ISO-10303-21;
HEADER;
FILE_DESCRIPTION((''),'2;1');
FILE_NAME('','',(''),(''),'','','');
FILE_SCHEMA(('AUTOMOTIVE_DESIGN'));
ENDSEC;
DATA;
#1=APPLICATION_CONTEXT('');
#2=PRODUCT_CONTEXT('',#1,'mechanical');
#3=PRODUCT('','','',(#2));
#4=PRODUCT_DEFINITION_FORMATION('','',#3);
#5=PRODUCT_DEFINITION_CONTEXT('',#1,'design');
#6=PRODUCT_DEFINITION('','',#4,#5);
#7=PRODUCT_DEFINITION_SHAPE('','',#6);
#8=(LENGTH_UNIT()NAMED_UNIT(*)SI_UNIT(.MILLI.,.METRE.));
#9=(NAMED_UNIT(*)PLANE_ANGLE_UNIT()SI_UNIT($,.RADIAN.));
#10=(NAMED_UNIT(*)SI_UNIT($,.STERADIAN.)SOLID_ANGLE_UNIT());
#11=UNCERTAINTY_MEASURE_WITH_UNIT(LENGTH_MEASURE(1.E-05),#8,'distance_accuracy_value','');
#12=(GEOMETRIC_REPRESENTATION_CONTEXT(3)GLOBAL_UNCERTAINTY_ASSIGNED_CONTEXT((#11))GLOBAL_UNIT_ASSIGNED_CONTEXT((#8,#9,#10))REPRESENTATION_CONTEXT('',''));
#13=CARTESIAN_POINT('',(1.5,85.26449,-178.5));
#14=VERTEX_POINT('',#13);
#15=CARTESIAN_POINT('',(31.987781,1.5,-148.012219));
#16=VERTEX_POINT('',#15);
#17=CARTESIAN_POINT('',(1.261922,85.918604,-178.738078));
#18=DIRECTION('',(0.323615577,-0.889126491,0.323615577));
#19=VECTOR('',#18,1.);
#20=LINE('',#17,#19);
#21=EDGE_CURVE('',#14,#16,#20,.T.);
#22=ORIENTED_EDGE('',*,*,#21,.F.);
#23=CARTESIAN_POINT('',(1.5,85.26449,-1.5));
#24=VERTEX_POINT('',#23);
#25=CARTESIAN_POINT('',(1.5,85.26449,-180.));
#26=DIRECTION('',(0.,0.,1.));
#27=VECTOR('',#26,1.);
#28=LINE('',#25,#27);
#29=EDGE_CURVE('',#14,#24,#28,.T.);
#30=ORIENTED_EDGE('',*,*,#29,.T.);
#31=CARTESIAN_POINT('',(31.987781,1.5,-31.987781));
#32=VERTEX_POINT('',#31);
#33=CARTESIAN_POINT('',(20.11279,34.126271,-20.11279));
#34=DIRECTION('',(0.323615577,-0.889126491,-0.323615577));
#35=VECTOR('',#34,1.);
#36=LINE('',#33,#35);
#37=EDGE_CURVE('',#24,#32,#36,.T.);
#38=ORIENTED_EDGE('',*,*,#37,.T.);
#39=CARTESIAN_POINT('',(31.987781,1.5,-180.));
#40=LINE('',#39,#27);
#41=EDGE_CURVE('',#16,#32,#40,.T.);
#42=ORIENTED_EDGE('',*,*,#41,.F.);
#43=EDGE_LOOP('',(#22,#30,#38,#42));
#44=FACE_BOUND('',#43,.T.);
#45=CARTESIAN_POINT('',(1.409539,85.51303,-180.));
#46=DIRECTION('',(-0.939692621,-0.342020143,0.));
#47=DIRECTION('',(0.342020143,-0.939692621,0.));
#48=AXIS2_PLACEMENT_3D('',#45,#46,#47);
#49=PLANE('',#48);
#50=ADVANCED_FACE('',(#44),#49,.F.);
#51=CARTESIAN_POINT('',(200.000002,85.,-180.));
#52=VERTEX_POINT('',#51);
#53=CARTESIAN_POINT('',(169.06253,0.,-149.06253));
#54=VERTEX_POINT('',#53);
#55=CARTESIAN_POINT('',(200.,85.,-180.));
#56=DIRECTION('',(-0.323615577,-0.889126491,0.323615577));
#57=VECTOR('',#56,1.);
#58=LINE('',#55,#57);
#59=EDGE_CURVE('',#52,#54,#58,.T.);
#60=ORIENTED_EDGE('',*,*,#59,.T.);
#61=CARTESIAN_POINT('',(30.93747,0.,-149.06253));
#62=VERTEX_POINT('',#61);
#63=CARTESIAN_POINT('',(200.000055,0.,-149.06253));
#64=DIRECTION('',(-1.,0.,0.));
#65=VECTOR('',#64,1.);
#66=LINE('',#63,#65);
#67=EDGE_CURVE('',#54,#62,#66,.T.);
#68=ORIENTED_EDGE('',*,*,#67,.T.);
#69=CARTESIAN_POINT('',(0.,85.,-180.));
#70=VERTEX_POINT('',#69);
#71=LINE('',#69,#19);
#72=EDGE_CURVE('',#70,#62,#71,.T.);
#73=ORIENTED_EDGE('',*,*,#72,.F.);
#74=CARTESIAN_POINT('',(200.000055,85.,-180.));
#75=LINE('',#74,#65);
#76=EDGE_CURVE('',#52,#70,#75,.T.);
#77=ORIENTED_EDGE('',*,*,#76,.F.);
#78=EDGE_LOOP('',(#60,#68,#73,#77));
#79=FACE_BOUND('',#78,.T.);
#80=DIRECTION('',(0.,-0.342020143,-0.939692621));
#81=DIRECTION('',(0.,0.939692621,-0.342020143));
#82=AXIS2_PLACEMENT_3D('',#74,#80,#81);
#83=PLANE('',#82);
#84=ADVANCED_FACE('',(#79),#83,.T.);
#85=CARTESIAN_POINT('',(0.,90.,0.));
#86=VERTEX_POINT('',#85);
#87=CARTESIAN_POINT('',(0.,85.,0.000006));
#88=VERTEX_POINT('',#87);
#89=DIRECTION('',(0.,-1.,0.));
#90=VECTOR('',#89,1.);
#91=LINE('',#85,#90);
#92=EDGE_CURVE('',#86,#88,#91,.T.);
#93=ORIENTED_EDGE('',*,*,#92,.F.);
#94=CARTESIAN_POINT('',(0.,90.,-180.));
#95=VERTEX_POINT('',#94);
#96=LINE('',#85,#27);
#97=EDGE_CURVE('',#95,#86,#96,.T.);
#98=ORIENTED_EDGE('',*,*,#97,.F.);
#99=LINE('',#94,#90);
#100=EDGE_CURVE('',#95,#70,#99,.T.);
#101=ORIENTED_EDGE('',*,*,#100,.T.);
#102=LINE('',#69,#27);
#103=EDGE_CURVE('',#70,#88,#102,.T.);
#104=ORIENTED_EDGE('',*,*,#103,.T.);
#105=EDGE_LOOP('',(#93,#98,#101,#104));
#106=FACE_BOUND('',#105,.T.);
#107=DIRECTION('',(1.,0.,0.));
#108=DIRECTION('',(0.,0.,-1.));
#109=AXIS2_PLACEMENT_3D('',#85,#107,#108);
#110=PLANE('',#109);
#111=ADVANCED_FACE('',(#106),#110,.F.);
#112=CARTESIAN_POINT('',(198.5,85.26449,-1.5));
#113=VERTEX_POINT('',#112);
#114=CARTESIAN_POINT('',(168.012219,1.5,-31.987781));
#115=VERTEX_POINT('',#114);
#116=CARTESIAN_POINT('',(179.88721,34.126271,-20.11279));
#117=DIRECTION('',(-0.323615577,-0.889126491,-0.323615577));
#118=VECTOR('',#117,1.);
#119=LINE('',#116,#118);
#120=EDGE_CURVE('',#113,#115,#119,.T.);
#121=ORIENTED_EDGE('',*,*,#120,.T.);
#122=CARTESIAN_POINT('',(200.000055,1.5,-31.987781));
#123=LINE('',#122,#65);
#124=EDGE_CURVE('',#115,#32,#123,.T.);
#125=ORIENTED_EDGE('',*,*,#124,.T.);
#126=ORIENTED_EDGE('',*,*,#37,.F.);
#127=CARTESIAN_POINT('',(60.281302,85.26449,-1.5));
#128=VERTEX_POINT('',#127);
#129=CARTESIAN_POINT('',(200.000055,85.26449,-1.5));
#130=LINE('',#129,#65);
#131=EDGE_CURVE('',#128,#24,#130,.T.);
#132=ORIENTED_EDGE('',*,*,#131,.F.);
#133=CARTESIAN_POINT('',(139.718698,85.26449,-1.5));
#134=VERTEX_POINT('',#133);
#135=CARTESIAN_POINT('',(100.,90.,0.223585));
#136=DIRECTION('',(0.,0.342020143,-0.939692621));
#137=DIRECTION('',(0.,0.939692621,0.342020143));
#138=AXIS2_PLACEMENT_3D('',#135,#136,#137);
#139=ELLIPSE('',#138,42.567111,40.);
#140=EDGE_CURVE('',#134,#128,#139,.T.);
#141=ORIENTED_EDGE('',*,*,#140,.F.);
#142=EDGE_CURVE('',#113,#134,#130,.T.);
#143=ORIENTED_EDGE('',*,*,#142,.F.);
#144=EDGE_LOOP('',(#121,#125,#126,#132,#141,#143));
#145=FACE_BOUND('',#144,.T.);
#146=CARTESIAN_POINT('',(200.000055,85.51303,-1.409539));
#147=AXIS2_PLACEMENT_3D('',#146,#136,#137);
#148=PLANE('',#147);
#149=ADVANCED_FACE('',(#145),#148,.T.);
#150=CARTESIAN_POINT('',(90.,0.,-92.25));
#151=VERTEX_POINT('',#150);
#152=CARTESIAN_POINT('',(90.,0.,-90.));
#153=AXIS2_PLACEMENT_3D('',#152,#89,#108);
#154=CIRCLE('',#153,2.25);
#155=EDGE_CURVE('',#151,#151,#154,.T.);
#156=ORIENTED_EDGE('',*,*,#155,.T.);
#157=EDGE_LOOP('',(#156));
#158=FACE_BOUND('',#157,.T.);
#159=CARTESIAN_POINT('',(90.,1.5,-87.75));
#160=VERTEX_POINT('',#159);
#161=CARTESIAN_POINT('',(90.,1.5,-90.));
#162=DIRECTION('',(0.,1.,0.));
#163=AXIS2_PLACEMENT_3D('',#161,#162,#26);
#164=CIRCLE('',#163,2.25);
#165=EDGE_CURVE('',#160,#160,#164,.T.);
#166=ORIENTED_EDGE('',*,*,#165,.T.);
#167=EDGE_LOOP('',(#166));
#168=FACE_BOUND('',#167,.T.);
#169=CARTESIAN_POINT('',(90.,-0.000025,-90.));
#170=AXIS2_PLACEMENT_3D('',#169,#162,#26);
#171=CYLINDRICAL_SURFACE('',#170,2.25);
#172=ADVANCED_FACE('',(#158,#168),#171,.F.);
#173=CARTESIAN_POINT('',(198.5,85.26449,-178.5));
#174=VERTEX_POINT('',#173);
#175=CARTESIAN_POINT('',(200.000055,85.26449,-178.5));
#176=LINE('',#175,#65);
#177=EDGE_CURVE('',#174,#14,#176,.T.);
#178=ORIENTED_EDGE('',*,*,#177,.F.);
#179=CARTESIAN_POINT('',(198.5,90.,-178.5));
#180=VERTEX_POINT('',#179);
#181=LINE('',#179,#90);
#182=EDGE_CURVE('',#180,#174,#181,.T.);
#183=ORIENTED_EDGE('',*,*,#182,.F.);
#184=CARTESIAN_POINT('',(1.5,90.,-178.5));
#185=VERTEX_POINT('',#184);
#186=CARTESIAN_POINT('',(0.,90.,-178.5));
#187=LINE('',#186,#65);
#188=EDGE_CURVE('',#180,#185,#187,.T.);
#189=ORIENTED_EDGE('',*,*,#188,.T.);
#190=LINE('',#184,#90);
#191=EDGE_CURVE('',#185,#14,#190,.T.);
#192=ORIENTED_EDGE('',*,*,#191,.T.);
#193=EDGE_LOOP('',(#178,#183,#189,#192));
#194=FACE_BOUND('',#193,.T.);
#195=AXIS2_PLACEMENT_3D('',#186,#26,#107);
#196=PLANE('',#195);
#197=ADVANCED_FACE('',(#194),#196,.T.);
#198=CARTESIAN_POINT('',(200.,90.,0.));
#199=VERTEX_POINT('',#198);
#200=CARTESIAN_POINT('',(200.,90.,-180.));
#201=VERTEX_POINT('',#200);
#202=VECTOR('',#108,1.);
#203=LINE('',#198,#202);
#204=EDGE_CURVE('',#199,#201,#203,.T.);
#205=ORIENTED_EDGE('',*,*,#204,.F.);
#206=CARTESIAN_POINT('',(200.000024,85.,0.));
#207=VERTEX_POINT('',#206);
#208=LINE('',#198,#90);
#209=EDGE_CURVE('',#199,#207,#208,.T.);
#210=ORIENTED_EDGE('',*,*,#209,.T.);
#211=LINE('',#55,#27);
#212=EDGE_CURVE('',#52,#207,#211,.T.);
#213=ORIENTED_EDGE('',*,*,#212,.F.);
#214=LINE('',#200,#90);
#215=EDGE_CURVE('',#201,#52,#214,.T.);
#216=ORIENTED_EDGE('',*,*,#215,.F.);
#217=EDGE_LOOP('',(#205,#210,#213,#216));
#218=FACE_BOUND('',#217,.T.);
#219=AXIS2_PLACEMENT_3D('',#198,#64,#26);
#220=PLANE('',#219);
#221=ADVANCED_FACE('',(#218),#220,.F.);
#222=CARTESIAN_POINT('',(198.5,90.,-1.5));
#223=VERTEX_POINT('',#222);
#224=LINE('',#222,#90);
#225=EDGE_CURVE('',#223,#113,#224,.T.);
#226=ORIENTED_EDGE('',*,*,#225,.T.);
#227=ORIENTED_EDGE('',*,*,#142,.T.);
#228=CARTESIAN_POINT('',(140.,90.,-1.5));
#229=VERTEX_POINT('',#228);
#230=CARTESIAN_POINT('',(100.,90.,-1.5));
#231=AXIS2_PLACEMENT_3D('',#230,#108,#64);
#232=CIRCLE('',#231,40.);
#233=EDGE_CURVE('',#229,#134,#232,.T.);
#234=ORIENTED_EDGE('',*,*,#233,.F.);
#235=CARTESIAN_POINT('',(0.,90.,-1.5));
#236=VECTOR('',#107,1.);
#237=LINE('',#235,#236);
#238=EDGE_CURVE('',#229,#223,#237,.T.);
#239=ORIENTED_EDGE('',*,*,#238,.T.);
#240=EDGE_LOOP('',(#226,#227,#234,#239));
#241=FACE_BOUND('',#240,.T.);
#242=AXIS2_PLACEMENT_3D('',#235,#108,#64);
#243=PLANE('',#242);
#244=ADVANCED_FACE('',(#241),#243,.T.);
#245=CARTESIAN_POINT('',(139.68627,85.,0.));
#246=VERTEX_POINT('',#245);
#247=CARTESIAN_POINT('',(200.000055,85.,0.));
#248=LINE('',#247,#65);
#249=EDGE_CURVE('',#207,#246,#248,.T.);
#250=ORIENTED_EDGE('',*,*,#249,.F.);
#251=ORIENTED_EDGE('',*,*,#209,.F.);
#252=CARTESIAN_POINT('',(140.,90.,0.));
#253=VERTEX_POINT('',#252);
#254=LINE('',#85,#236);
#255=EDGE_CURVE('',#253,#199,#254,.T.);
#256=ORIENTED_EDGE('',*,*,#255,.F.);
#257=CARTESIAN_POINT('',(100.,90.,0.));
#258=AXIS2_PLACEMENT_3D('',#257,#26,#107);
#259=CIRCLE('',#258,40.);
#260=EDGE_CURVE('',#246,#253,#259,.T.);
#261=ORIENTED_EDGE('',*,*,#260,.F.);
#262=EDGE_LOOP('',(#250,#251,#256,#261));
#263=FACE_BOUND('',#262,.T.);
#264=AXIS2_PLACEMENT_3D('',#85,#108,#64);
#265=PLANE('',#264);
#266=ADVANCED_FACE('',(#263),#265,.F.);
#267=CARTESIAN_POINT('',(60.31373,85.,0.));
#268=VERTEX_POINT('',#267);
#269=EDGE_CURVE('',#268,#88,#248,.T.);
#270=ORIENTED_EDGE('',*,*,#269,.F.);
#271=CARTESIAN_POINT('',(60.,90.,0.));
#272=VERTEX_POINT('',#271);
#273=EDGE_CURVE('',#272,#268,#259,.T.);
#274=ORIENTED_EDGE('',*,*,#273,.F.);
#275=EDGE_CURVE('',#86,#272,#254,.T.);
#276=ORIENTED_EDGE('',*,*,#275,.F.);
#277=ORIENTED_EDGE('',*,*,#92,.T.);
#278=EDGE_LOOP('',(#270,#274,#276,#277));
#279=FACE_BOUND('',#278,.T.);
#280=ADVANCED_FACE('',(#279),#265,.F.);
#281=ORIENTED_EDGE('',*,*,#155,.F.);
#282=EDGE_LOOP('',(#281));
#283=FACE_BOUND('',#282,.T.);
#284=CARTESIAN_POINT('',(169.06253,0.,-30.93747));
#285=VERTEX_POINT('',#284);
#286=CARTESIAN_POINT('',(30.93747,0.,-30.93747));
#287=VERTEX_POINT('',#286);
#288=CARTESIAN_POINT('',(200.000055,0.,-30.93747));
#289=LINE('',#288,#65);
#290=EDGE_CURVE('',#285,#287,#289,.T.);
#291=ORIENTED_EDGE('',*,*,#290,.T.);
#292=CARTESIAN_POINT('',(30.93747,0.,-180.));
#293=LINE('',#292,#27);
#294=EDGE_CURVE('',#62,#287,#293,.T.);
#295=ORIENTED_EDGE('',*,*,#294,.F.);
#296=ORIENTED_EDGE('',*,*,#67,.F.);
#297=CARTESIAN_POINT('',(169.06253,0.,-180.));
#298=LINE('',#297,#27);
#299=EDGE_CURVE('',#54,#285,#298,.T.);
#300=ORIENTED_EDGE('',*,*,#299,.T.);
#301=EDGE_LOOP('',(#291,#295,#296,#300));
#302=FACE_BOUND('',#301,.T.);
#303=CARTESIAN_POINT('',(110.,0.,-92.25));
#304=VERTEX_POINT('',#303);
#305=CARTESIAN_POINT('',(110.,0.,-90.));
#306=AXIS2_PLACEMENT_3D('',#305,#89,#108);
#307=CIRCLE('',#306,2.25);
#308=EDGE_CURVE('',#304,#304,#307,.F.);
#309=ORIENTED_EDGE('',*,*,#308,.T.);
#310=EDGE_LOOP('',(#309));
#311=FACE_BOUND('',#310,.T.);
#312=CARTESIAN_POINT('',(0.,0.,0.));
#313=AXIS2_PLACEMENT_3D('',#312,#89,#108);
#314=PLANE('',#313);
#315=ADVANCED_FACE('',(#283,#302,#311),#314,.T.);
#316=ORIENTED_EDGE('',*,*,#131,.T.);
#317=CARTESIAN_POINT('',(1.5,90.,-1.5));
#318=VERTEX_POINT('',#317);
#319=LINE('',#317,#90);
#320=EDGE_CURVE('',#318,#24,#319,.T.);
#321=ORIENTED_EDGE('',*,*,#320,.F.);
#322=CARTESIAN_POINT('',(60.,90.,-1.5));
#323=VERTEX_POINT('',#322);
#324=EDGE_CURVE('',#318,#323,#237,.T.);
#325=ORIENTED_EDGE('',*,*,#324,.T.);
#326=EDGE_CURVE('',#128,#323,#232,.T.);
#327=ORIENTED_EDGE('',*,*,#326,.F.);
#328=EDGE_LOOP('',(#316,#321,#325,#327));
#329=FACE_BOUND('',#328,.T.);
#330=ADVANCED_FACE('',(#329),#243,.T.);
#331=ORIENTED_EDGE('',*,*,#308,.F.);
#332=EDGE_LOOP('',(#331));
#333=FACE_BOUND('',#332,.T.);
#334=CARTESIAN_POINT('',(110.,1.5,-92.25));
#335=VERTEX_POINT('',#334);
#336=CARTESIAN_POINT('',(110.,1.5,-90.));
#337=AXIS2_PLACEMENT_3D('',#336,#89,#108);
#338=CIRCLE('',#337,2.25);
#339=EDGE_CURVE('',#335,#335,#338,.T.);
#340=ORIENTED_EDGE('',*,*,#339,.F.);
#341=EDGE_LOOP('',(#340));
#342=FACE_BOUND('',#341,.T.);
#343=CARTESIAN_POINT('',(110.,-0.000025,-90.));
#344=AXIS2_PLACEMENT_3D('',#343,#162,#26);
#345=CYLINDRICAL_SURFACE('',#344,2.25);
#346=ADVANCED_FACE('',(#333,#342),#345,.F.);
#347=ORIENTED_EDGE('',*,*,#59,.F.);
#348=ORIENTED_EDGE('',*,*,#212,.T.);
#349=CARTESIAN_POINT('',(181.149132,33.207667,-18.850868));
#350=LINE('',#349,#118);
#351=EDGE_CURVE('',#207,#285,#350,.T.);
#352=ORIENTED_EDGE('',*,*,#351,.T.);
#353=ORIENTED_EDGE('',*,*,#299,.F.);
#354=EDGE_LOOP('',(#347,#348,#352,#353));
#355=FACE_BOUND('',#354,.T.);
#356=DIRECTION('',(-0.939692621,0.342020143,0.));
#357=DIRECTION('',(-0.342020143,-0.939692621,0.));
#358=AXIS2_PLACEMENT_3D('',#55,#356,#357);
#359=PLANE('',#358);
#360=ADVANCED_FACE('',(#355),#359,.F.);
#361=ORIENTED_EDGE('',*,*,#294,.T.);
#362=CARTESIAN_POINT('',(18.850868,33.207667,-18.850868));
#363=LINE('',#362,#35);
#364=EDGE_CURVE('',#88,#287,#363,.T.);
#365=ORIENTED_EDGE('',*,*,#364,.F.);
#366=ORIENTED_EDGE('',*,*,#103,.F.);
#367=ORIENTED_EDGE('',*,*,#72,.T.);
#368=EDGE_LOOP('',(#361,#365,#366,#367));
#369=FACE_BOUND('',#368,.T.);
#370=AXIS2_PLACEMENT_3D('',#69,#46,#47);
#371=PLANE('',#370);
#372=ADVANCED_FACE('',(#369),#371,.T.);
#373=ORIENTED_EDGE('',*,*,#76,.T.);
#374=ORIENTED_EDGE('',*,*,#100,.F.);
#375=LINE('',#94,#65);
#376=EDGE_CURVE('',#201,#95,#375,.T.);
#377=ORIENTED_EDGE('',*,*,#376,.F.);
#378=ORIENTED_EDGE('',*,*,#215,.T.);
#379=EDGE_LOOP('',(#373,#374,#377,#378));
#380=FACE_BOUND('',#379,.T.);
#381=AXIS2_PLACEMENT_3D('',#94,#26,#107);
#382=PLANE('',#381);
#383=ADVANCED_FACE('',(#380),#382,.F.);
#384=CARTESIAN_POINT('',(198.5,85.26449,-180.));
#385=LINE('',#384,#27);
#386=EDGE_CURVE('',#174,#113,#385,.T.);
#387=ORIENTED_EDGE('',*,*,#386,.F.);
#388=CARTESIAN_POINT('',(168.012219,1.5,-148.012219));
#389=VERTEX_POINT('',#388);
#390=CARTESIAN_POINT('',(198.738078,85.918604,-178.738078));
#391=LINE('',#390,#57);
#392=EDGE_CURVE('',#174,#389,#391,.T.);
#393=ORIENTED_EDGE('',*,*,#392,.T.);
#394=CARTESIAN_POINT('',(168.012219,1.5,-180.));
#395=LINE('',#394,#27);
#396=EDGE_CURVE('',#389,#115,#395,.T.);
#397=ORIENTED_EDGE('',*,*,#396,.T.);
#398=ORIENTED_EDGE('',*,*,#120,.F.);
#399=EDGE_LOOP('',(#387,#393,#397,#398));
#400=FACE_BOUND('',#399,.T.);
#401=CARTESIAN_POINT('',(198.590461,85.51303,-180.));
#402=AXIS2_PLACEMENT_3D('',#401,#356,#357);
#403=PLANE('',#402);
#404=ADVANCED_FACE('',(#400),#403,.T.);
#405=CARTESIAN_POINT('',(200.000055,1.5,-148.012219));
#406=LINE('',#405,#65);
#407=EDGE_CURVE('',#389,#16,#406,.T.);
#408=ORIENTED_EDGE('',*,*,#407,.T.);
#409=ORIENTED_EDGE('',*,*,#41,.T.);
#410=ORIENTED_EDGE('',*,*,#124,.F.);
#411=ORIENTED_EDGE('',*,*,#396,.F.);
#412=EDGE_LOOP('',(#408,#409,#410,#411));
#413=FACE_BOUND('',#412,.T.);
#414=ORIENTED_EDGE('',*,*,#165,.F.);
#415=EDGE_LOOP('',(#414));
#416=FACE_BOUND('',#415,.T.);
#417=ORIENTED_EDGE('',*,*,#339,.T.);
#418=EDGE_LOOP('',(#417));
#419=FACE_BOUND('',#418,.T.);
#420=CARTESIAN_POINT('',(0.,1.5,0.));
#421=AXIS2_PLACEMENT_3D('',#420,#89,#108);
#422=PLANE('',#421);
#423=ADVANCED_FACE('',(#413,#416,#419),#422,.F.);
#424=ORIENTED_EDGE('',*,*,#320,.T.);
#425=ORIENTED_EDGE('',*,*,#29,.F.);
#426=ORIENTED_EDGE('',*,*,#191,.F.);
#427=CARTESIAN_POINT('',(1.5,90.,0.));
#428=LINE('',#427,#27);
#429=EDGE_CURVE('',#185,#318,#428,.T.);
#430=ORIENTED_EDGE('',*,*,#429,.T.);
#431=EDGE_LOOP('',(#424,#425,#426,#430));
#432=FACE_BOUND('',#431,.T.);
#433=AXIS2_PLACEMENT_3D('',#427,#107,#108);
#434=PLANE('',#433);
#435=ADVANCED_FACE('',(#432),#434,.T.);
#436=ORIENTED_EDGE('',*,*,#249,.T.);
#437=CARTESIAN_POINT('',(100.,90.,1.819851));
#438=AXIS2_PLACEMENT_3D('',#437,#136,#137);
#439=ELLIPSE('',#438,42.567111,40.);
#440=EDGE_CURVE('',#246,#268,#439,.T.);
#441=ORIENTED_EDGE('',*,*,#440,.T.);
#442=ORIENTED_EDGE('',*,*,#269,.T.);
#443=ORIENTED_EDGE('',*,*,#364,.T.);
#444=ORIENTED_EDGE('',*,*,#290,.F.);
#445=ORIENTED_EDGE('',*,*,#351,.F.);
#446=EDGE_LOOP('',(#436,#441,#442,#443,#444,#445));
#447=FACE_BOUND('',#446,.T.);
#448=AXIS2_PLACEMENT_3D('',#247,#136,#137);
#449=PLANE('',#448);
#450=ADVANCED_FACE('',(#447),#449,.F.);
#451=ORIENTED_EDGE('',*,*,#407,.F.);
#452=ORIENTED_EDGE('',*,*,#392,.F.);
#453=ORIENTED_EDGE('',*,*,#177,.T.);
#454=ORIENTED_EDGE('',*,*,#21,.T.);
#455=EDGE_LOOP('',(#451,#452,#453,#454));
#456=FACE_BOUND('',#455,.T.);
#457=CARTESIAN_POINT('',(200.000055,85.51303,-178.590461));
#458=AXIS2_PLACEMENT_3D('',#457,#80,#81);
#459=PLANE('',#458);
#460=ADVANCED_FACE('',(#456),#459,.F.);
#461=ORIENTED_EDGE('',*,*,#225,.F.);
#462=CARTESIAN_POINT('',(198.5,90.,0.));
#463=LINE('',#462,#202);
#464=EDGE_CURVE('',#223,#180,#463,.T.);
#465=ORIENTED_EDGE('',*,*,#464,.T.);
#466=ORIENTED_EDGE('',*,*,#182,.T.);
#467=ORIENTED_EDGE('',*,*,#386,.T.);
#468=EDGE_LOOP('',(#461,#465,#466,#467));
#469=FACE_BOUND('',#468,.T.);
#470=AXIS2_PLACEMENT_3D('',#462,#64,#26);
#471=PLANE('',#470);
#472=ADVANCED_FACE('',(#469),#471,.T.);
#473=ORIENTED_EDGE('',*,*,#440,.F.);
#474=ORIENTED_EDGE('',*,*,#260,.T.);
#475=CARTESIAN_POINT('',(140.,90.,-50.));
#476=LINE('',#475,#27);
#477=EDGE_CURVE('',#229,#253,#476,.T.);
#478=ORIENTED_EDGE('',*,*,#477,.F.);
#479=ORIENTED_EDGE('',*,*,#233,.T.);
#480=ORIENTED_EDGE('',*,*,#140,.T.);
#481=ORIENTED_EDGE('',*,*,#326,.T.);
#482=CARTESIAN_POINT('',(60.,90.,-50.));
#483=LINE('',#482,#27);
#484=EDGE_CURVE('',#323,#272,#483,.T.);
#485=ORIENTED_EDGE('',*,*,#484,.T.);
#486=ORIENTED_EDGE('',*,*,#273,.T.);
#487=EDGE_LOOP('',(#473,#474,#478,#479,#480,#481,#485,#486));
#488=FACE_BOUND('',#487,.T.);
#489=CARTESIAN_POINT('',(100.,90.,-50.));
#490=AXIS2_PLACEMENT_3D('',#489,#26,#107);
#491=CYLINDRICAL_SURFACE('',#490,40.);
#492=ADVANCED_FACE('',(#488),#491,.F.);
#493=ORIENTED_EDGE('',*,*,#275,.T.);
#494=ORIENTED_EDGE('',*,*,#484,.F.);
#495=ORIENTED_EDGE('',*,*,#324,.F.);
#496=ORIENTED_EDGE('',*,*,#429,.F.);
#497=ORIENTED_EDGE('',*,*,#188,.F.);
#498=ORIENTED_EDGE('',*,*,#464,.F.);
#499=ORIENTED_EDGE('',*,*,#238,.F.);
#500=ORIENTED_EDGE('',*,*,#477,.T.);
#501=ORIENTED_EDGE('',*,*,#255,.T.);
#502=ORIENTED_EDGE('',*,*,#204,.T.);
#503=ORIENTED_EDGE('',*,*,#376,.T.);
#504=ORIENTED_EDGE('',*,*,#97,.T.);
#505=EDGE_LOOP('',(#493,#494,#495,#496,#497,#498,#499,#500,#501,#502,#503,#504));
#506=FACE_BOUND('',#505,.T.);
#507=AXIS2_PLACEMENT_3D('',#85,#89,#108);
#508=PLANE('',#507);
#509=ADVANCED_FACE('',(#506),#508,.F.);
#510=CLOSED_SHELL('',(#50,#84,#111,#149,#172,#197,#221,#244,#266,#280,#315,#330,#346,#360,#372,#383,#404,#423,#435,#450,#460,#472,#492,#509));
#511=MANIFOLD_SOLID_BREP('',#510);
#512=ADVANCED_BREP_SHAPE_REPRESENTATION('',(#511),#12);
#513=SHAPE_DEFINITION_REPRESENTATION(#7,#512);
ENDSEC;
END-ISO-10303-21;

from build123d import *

# Parameters (mm, degrees)
SKETCH1_W               = 200
SKETCH1_H               = 180
BOSS_EXTRUDE1_DEPTH     = 90
CUT_EXTRUDE1_DEPTH      = 1
CUT_EXTRUDE1_DEPTH_BACK = 181
CUT_EXTRUDE2_DEPTH      = 201
SHELL1_T                = -1.5
SKETCH6_R               = 2.25
HINGE_HOLES_DEPTH       = 2.5
CUT_EXTRUDE4_DEPTH      = 50


with BuildPart() as part:
    # Sketch1 → Boss-Extrude1 (new body)
    with BuildSketch(Plane(origin=(0, 0, 0), x_dir=(1, 0, 0), z_dir=(0, 1, 0))):
        with Locations((100, 90)):
            Rectangle(SKETCH1_W, SKETCH1_H)
    extrude(amount=BOSS_EXTRUDE1_DEPTH)

    # Sketch4 → Cut-Extrude1 (cut, two sides)
    with BuildSketch(Plane.XY) as cut_extrude1_sk:
        Polygon((0, 85), (30.937469913, 0), (0, 0), align=None)
        Polygon((200, 85), (200, 0), (169.062530087, 0), align=None)
    extrude(amount=CUT_EXTRUDE1_DEPTH, mode=Mode.SUBTRACT)
    extrude(cut_extrude1_sk.sketch, amount=-CUT_EXTRUDE1_DEPTH_BACK, mode=Mode.SUBTRACT)

    # Sketch5 → Cut-Extrude2 (cut, through all)
    with BuildSketch(Plane.ZY):
        Polygon((-180, 85), (-149.062530087, 0), (-180, 0), align=None)
        Polygon((0, 85), (-30.937469913, 0), (0, 0), align=None)
    extrude(amount=-CUT_EXTRUDE2_DEPTH, mode=Mode.SUBTRACT)

    # Shell1
    shell1_openings = [part.faces().sort_by_distance(p)[0] for p in [
        (100, 90, -90),
    ]]
    offset(amount=SHELL1_T, openings=shell1_openings, kind=Kind.INTERSECTION)

    # Sketch6 → Hinge-Holes (cut, through all)
    with BuildSketch(Plane(origin=(0, 1.5, 0), x_dir=(1, 0, 0), z_dir=(0, 1, 0))):
        with Locations((90, 90)):
            Circle(SKETCH6_R)
        with Locations((110, 90)):
            Circle(SKETCH6_R)
    extrude(amount=-HINGE_HOLES_DEPTH, mode=Mode.SUBTRACT)

    # Sketch7 → Cut-Extrude4 (cut)
    with BuildSketch(Plane.XY):
        with BuildLine():
            Line((139.686269666, 85), (60.313730334, 85))
            ThreePointArc((60.313730334, 85), (100, 50), (139.686269666, 85))
        make_face()
        with BuildLine():
            Line((140, 90), (60, 90))
            ThreePointArc((60, 90), (60.078509631, 87.495083498), (60.313730334, 85))
            Line((60.313730334, 85), (139.686269666, 85))
            ThreePointArc((139.686269666, 85), (139.921490369, 87.495083498), (140, 90))
        make_face()
    extrude(amount=-CUT_EXTRUDE4_DEPTH, mode=Mode.SUBTRACT)


solid = part.part
